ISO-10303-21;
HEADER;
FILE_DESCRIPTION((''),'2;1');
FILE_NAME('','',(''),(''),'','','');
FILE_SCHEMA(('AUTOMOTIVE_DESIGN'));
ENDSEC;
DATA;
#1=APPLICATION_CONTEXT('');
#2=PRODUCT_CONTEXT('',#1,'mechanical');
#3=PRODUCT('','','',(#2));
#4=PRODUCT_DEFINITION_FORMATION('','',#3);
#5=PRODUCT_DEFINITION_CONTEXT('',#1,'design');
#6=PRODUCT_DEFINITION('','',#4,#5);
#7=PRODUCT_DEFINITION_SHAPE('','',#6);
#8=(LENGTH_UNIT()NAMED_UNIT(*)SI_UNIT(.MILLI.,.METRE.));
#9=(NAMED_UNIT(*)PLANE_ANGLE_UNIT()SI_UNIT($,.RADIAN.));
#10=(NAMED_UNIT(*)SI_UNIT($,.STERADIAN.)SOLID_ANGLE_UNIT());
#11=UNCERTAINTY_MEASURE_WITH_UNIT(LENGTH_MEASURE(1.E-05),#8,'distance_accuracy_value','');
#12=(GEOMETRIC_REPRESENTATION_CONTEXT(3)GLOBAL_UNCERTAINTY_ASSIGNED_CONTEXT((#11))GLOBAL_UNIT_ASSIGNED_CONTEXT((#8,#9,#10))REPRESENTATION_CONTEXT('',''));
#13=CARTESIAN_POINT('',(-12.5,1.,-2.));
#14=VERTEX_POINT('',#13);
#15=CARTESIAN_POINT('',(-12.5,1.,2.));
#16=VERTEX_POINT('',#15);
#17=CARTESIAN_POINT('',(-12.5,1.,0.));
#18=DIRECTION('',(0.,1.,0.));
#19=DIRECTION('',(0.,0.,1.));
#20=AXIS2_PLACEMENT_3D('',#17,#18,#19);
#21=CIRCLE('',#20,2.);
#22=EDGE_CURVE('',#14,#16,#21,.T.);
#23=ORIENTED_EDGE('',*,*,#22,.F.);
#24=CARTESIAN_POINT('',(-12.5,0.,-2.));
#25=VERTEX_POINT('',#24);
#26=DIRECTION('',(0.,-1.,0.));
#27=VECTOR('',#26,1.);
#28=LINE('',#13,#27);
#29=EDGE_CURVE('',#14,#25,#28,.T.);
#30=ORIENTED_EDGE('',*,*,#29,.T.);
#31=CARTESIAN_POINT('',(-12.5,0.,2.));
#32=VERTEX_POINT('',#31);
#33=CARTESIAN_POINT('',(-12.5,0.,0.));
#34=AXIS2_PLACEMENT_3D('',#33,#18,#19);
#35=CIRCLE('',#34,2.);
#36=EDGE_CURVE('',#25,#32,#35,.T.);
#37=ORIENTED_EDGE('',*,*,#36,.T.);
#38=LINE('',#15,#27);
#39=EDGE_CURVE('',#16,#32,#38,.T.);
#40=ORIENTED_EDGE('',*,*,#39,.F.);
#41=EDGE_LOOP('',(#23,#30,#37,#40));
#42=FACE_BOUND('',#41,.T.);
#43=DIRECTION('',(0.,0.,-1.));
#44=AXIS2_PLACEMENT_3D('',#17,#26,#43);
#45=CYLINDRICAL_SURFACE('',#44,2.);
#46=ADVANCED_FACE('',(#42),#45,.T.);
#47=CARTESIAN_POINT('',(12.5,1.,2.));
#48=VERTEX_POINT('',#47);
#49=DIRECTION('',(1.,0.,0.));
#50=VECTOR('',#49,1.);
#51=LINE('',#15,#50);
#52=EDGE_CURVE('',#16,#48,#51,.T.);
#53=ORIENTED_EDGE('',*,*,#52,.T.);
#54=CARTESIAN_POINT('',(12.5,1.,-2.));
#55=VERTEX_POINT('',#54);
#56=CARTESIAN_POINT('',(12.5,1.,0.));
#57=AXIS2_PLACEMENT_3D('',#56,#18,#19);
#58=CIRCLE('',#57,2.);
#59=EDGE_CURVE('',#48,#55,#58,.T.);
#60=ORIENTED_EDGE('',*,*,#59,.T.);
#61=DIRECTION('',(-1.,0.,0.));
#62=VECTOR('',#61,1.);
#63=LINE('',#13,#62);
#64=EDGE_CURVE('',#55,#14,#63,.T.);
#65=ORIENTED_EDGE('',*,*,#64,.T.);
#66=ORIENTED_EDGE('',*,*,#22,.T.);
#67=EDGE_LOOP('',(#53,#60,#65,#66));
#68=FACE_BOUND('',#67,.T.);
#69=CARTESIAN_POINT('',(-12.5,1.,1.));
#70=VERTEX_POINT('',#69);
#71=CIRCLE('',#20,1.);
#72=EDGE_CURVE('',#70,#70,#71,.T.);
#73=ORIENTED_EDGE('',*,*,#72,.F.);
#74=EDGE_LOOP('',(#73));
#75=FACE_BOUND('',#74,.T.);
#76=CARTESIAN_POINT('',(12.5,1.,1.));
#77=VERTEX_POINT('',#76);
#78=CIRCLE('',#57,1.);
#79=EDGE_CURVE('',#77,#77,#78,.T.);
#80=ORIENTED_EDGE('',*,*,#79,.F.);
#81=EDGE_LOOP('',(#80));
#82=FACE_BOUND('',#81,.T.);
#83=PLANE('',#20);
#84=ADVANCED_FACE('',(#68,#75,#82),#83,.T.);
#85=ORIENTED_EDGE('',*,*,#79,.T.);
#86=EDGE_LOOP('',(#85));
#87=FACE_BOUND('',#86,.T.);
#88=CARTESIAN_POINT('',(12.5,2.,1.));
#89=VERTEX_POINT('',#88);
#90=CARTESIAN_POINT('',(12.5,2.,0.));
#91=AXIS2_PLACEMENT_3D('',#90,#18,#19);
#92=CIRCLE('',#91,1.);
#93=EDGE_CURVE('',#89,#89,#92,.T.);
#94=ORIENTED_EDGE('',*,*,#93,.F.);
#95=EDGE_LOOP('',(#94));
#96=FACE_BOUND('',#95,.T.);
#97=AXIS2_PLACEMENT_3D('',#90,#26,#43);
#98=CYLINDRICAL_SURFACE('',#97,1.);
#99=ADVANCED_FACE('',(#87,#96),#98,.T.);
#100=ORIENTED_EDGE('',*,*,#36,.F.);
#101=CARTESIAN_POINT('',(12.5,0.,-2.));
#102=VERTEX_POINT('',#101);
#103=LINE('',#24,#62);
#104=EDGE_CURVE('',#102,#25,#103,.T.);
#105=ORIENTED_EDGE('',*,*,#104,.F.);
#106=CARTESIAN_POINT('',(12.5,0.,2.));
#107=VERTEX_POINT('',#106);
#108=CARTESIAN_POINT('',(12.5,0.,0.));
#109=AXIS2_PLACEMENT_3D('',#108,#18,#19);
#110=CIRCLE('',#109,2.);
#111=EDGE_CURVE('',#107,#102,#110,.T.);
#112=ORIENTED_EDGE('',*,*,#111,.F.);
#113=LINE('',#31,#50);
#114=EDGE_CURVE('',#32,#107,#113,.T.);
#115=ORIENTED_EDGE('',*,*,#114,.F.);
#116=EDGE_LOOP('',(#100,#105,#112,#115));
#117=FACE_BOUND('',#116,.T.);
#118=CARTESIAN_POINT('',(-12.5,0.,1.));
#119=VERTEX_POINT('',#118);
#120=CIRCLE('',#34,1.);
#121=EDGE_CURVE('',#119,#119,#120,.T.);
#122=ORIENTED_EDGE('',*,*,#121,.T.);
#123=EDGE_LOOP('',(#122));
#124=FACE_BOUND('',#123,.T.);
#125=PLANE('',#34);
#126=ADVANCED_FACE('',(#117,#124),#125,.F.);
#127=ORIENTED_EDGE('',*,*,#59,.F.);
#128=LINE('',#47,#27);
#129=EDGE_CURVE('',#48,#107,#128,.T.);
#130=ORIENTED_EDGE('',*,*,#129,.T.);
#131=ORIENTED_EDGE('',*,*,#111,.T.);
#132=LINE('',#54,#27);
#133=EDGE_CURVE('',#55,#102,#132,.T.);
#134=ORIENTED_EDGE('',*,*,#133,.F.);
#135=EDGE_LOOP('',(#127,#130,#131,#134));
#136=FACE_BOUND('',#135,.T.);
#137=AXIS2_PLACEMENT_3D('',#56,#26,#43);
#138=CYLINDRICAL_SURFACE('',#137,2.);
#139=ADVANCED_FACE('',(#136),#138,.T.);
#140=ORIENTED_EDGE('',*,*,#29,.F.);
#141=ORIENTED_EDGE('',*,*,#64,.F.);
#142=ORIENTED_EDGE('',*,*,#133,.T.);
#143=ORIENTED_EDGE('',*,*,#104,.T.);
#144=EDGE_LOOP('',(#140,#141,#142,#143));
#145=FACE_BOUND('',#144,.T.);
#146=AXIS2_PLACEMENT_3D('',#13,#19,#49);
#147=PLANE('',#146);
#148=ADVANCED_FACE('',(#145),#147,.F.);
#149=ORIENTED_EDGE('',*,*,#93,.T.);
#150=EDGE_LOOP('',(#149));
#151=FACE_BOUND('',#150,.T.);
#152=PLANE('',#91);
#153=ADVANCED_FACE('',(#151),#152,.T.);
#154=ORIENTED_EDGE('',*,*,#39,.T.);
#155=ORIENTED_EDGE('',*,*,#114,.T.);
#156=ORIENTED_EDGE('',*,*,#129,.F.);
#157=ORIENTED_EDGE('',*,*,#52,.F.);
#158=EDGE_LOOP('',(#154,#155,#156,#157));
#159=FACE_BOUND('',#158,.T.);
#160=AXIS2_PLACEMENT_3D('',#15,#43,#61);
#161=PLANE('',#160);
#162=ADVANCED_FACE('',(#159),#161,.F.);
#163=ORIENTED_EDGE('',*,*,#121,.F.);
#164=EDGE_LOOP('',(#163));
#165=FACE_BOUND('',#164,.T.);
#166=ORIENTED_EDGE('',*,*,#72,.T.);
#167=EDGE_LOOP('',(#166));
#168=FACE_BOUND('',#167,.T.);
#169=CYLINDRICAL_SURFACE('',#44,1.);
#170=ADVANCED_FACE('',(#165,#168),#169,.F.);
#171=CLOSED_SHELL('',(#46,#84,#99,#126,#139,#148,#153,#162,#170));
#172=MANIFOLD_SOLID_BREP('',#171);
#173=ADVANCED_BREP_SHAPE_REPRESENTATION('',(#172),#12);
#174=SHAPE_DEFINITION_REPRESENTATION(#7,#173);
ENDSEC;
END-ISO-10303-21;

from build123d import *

# Parameters (mm, degrees)
SKETCH1_R           = 1
BOSS_EXTRUDE3_DEPTH = 1
SKETCH3_R           = 1
BOSS_EXTRUDE4_DEPTH = 1
SKETCH4_R           = 1
BOSS_EXTRUDE5_DEPTH = 1


with BuildPart() as part:
    # Sketch1 → Boss-Extrude3 (new body)
    with BuildSketch(Plane(origin=(0, 0, 0), x_dir=(1, 0, 0), z_dir=(0, 1, 0))):
        with BuildLine():
            Line((-12.5, 2), (12.5, 2))
            ThreePointArc((12.5, 2), (14.5, 0), (12.5, -2))
            Line((12.5, -2), (-12.5, -2))
            ThreePointArc((-12.5, -2), (-14.5, 0), (-12.5, 2))
        make_face()
        with Locations((-12.5, 0)):
            Circle(SKETCH1_R, mode=Mode.SUBTRACT)
        with Locations((12.5, 0)):
            Circle(SKETCH1_R, mode=Mode.SUBTRACT)
    extrude(amount=BOSS_EXTRUDE3_DEPTH)

    # Sketch3 → Boss-Extrude4 (add, symmetric)
    with BuildSketch(Plane(origin=(0, 1, 0), x_dir=(1, 0, 0), z_dir=(0, 1, 0))):
        with Locations((12.5, 0)):
            Circle(SKETCH3_R)
    extrude(amount=BOSS_EXTRUDE4_DEPTH, both=True)

    # Sketch4 → Boss-Extrude5 (add)
    with BuildSketch(Plane(origin=(0, 1, 0), x_dir=(1, 0, 0), z_dir=(0, 1, 0))):
        with Locations((12.5, 0)):
            Circle(SKETCH4_R)
    extrude(amount=BOSS_EXTRUDE5_DEPTH)


solid = part.part
